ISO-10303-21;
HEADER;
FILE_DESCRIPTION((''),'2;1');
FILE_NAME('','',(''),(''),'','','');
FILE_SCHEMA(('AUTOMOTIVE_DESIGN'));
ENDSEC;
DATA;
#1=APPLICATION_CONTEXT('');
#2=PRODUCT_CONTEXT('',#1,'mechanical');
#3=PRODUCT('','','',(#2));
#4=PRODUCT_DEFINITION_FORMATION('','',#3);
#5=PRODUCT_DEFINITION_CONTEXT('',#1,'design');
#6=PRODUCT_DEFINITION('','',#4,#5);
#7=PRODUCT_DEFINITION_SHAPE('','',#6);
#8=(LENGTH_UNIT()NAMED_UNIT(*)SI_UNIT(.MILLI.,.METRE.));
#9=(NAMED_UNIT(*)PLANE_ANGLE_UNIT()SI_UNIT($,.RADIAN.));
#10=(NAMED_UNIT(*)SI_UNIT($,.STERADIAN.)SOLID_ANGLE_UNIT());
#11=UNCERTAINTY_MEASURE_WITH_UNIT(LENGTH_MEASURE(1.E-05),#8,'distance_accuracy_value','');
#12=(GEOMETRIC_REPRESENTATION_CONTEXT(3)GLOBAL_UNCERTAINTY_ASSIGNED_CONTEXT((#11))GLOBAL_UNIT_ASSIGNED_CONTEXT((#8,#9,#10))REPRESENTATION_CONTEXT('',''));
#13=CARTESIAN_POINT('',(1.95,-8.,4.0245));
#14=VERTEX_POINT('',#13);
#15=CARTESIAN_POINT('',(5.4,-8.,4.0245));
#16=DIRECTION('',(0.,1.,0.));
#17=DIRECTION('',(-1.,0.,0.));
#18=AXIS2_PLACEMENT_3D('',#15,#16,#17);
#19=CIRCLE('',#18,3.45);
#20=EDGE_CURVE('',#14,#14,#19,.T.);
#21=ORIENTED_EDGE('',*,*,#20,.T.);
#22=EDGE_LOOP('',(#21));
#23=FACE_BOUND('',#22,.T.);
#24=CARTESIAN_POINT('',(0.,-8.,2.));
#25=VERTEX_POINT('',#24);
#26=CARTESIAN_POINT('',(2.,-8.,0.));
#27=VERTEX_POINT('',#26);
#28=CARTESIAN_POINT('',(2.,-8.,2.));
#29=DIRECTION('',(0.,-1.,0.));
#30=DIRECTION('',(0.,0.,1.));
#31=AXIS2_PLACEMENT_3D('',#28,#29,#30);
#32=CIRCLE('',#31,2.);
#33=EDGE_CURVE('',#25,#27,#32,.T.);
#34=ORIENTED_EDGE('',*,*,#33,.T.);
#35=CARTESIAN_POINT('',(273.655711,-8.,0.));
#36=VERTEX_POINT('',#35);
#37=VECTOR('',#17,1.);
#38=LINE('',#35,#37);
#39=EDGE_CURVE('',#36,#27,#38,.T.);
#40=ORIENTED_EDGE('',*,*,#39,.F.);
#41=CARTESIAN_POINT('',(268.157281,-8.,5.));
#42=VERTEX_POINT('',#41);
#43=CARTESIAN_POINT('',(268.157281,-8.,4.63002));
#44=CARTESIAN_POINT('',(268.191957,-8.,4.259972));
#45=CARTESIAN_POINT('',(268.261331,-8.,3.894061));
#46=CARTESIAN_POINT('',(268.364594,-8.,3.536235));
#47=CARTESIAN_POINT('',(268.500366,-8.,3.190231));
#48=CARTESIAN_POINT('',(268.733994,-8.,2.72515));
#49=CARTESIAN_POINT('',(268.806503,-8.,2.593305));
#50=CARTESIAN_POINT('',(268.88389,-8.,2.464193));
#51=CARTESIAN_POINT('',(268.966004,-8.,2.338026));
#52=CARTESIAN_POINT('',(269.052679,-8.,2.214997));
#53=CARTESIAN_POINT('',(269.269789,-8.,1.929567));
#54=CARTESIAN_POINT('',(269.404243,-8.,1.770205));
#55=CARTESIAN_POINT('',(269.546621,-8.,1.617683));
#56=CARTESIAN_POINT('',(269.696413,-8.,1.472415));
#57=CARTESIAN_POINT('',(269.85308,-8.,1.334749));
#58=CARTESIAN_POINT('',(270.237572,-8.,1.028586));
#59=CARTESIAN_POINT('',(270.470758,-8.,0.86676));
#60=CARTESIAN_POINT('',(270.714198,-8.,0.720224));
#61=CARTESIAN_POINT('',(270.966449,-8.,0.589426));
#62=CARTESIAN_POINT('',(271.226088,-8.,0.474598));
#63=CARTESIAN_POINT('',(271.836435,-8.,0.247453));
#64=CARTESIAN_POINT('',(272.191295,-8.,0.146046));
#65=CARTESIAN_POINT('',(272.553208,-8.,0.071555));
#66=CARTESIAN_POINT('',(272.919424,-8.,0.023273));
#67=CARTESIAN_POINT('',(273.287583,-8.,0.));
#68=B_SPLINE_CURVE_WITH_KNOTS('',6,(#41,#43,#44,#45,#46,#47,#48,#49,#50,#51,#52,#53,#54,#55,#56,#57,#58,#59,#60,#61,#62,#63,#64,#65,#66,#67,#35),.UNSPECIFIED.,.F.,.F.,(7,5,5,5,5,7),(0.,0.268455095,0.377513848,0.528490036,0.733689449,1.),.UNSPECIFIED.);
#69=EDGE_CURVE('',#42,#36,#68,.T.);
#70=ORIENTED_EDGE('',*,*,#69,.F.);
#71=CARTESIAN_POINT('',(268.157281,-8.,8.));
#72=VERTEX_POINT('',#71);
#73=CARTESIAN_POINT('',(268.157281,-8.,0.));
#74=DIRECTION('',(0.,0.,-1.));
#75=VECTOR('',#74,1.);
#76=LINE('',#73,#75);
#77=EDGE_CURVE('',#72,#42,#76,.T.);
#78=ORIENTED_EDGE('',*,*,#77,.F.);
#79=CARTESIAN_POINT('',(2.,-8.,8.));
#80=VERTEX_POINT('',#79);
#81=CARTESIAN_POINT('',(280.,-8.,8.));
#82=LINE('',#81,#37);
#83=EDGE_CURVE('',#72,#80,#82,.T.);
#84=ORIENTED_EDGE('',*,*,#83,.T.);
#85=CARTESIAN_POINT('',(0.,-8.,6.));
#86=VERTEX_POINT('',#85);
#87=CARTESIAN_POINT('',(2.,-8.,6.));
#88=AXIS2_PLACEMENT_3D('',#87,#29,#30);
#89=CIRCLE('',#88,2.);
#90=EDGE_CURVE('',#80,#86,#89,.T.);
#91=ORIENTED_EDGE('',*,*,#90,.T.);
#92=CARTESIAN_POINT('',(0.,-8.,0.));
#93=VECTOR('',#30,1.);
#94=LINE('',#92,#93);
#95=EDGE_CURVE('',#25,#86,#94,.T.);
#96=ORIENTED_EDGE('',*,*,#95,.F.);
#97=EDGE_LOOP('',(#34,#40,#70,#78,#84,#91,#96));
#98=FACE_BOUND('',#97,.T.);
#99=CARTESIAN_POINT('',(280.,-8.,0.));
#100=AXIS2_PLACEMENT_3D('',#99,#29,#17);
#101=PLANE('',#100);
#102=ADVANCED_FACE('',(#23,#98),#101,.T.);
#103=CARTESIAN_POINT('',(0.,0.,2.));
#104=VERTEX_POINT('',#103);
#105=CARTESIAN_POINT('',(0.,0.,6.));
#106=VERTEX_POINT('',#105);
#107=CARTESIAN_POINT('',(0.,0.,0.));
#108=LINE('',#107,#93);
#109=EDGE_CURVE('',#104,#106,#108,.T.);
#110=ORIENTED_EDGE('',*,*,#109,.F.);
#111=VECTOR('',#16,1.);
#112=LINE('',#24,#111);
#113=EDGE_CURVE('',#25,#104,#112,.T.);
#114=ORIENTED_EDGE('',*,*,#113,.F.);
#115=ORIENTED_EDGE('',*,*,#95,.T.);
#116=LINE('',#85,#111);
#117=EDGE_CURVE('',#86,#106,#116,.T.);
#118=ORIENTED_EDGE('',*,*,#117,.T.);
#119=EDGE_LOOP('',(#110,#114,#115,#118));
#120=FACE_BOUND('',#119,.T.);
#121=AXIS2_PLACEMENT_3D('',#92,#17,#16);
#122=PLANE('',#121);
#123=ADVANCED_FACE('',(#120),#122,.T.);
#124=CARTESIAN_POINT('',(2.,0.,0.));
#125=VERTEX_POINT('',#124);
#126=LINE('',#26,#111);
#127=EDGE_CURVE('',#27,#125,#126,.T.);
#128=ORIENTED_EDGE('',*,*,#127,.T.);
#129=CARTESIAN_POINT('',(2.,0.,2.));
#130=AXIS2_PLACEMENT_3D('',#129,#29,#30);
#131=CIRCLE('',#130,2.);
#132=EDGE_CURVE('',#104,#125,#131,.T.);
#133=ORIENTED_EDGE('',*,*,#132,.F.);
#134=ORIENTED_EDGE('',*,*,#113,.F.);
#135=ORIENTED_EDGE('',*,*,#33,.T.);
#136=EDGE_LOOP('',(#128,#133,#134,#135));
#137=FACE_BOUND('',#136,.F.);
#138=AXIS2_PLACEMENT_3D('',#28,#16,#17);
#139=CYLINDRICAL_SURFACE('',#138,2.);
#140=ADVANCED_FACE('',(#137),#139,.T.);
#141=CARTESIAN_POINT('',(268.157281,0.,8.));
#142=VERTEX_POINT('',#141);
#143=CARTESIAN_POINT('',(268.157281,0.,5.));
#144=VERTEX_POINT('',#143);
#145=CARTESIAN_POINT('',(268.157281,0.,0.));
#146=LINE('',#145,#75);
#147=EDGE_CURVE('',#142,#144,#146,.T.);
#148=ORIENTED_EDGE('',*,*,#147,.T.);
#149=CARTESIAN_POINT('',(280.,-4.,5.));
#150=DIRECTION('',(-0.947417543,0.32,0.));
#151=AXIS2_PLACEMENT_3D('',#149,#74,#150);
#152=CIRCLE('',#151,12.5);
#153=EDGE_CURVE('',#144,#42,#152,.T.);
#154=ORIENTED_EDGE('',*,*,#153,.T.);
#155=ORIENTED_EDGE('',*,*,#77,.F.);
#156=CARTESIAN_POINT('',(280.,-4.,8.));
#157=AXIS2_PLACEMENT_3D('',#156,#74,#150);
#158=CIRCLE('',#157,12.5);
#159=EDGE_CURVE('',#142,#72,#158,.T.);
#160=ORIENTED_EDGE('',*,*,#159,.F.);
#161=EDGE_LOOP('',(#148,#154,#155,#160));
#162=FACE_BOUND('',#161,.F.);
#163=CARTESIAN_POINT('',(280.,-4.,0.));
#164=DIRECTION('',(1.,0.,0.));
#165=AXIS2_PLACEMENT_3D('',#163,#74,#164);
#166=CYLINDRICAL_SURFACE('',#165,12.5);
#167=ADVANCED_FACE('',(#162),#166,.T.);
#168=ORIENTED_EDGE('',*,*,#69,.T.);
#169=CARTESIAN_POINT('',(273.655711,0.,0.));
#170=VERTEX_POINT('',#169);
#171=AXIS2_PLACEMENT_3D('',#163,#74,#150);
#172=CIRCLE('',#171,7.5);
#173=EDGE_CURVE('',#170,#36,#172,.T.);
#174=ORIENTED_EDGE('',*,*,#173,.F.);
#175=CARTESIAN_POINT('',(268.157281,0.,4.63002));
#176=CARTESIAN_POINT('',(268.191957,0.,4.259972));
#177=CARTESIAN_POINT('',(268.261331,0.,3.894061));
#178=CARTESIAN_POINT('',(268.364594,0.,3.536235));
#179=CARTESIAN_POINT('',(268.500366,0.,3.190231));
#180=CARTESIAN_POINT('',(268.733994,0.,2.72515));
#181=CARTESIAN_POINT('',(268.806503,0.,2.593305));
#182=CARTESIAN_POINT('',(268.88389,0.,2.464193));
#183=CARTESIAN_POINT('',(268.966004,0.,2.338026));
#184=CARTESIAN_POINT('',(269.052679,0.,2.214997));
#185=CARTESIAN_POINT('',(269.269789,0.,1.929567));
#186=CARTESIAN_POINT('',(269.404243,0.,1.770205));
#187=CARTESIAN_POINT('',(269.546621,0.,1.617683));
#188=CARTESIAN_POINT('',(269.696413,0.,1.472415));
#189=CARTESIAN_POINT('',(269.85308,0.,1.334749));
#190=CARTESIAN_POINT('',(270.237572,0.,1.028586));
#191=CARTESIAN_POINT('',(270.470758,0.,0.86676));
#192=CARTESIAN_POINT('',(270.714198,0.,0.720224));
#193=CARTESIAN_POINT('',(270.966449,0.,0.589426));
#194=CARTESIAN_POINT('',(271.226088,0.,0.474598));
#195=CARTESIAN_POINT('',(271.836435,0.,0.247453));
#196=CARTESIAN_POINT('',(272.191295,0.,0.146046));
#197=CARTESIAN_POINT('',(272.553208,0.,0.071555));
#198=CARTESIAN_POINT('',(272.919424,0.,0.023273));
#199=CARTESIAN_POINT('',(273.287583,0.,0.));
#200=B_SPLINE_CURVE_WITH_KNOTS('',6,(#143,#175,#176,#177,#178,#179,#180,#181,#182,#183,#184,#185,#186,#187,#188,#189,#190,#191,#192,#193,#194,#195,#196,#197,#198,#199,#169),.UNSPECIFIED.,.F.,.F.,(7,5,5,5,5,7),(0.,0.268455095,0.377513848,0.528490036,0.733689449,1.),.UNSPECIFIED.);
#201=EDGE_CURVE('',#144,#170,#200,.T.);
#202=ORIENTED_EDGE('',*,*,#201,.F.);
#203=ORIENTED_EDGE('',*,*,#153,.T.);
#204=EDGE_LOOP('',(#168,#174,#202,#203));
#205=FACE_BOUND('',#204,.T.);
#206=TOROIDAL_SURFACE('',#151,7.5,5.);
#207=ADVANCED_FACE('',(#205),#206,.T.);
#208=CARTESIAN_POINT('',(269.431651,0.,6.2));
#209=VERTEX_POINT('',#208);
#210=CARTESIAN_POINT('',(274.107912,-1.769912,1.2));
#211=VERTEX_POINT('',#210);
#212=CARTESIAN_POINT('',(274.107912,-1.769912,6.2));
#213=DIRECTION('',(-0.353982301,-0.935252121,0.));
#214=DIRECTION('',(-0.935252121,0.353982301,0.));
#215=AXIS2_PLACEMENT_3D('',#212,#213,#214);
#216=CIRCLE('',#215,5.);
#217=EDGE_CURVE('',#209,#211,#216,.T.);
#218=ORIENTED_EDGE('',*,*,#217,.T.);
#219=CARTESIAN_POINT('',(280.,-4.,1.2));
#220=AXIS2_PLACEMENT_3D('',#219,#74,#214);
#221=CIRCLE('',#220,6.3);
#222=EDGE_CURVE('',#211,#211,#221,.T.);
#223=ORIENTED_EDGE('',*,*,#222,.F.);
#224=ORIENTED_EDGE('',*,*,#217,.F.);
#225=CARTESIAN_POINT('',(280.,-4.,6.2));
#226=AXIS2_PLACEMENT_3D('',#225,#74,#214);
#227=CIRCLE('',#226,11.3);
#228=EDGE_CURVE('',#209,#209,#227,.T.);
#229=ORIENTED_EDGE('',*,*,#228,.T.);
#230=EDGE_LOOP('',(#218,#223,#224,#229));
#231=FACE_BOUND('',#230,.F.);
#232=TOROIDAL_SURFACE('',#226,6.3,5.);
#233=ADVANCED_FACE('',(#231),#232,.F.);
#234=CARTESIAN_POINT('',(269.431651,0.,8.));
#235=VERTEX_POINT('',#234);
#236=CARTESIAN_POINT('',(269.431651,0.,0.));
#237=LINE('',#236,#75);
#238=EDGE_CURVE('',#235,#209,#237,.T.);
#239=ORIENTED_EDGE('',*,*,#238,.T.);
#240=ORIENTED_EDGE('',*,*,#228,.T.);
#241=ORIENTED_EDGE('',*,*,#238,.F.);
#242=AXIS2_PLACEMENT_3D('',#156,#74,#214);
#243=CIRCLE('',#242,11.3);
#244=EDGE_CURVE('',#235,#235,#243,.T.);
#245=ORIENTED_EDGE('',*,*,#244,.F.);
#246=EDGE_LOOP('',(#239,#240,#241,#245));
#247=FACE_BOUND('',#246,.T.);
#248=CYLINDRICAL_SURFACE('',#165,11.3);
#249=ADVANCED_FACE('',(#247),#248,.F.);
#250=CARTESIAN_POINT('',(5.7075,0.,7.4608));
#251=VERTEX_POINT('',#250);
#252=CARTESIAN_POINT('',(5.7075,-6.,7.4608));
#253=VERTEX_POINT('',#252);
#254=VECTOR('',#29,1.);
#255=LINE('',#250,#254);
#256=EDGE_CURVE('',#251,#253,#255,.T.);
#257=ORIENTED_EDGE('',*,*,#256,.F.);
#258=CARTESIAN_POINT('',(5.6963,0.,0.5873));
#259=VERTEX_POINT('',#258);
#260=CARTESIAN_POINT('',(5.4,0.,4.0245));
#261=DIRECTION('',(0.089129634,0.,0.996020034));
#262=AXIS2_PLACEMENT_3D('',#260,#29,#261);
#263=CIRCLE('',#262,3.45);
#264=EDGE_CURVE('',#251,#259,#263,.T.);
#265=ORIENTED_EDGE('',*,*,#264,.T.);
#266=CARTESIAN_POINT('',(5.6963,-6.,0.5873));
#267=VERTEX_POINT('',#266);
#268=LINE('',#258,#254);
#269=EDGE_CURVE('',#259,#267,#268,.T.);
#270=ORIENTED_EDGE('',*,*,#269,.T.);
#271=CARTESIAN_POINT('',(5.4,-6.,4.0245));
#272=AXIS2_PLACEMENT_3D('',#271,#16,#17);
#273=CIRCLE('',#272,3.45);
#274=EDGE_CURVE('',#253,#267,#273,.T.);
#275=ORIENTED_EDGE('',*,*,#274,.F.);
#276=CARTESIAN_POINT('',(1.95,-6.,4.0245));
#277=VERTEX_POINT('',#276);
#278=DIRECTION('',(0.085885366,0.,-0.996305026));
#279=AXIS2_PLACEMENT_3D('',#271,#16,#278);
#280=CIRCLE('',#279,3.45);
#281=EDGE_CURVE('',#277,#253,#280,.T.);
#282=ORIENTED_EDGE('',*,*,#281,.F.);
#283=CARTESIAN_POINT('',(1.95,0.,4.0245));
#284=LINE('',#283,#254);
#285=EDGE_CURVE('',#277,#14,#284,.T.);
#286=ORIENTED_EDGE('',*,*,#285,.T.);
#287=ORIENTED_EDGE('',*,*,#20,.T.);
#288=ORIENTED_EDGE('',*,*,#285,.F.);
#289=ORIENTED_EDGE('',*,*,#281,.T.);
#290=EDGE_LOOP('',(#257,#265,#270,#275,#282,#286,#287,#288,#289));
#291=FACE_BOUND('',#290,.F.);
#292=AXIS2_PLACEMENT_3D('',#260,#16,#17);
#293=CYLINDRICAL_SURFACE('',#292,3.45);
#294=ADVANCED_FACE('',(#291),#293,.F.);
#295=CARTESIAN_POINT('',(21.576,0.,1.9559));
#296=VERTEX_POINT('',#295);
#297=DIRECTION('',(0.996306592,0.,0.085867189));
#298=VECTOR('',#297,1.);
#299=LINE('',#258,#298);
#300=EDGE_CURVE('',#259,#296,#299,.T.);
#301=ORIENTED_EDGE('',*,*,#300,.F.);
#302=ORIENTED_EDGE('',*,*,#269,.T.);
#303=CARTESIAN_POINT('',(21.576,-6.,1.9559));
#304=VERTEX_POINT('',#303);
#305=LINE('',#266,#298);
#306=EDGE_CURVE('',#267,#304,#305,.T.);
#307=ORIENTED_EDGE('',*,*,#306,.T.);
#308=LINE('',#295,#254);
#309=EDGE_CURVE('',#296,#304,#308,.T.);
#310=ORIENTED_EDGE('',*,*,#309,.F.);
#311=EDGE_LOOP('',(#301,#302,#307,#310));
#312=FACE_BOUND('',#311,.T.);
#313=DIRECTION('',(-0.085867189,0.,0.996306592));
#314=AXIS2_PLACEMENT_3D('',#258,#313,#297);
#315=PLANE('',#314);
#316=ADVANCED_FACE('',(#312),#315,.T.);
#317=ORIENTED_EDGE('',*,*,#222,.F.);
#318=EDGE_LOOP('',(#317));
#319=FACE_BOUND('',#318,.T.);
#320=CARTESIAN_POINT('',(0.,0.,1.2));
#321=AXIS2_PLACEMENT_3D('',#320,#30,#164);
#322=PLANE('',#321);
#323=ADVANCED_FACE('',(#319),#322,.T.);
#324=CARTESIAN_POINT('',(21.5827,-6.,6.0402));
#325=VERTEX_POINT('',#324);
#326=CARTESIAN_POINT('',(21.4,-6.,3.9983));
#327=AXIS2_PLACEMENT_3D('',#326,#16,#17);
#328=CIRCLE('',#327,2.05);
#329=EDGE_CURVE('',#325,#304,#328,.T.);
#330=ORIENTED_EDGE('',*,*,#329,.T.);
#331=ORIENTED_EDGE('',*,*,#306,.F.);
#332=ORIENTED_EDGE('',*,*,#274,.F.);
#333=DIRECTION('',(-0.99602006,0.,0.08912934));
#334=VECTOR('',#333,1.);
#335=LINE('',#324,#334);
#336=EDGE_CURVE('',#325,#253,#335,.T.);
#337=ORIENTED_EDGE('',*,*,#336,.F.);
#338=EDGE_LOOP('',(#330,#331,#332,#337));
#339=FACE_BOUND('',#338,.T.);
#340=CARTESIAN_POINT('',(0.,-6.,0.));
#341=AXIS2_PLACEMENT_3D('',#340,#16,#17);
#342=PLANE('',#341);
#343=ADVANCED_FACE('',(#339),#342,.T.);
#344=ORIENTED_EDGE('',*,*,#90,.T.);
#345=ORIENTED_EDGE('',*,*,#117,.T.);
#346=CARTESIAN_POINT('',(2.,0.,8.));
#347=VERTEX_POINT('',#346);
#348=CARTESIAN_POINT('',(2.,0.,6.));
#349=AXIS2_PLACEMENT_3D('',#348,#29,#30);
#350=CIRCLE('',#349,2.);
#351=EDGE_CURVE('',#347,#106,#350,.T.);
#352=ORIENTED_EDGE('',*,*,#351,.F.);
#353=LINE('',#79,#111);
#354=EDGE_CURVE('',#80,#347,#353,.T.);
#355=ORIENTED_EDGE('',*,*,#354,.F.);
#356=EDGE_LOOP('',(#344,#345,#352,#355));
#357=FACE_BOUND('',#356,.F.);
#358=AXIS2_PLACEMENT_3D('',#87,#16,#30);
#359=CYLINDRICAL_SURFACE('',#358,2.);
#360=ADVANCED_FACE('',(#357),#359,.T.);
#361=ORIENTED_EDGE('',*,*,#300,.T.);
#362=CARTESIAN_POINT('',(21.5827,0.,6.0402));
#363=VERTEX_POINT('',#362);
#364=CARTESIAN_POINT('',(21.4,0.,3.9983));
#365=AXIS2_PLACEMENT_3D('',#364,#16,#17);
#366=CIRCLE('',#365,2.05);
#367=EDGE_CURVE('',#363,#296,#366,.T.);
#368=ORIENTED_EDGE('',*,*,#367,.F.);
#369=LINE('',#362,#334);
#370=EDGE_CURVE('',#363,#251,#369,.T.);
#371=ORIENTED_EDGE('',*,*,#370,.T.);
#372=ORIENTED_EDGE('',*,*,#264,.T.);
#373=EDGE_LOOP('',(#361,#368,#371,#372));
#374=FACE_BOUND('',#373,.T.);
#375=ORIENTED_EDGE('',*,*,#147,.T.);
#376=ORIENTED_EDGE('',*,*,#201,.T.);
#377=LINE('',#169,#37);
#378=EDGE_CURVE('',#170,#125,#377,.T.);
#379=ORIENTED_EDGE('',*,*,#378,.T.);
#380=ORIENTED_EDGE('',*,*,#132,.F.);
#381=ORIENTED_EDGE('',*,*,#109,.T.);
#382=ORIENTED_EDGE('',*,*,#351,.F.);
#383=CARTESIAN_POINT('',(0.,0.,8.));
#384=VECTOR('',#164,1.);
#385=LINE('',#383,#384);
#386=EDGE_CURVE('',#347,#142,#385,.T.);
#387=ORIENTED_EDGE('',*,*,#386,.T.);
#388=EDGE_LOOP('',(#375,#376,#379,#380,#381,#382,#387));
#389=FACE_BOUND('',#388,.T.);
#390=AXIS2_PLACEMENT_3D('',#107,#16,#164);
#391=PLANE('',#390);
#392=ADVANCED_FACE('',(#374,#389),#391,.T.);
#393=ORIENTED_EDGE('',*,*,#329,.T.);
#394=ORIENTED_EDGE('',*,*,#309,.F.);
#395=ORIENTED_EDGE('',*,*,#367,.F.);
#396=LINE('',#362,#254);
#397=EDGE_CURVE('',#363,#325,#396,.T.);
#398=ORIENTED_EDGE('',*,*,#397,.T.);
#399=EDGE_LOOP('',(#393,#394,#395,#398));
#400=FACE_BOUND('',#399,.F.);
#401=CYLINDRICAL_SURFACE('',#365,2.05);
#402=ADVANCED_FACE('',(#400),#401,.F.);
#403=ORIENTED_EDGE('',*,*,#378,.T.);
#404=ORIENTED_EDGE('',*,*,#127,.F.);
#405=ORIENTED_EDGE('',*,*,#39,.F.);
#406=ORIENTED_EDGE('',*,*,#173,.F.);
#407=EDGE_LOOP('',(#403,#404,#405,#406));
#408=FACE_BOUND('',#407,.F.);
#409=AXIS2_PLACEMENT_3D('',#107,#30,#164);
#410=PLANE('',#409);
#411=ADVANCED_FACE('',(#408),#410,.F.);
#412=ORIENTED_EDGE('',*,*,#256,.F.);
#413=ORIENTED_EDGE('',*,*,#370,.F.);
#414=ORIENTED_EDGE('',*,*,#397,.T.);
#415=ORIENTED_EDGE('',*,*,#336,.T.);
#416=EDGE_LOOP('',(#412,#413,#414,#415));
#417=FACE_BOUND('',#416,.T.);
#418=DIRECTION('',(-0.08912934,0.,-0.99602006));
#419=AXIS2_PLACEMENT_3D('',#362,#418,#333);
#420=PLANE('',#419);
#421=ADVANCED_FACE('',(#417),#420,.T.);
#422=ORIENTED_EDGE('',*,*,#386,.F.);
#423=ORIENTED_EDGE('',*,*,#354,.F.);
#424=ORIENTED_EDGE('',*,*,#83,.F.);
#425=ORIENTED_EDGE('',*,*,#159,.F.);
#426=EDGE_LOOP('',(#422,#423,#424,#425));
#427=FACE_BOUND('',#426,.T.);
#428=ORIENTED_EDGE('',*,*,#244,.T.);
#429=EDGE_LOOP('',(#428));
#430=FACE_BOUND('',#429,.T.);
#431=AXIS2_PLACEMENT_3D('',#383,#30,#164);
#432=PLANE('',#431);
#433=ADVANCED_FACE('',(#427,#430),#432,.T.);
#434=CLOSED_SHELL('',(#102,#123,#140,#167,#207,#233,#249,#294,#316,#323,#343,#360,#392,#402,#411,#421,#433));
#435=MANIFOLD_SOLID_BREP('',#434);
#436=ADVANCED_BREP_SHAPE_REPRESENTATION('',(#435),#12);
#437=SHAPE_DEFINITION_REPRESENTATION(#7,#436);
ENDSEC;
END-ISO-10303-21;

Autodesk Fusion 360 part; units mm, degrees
sketch "Sketch1" plane through (0, 0, 0) normal (0, 0, 1) x (1, 0, 0)
  line L0 (0, 0) -> (280, 0)
  line L1 (280, 0) -> (280, -8)
  line L2 (280, -8) -> (0, -8)
  line L3 (0, -8) -> (0, 0)
  dimension "d1" = 280
  dimension "d2" = 8
extrude "Extrude1" add sketch "Sketch1" along normal blind 8
sketch "Sketch2" plane through (0, 0, 0) normal (0, 0, 1) x (1, 0, 0)
  circle A0 centre (280, -4) radius 12.5
  circle A1 centre (280, -4) radius 11.3
  dimension "d5" = 25
  dimension "d6" = 22.6
extrude "Extrude2" add sketch "Sketch2" along normal blind 8
extrude "Extrude3" cut sketch "Sketch2" along normal blind 8 contours A1
extrude "Extrude4" add sketch "Sketch2" along normal blind 1.2 contours A1
fillet "Fillet1" radius 5 1 edges at (269.4647, 0.0863, 1.2)
sketch "Sketch4" plane through (0, 0, 0) normal (0, 1, 0) x (-1, 0, 0)
  line L0 (-268.1573, 8) -> (-268.1573, 0)
  line L1 (-268.1573, 0) -> (0, 0)
  line L2 (0, 0) -> (0, 8)
  line L3 (0, 8) -> (-268.1573, 8)
  circle A0 centre (-5.4, 4.0245) radius 3.45
  circle A1 centre (-21.4, 3.9983) radius 2.05
  line L4 (-21.5827, 6.0402) -> (-5.7075, 7.4608)
  line L5 (-5.6963, 0.5873) -> (-21.576, 1.9559)
  dimension "d20" = 6.9
  dimension "d21" = 5.4
  dimension "d22" = 4.1
  dimension "d23" = 16
extrude "Extrude5" cut sketch "Sketch4" against normal blind 6 contours A0 | A0 A1 L4 L5 | A1
extrude "Extrude6" cut sketch "Sketch4" against normal blind 8 contours A0
fillet "Fillet2" radius 5 1 edges at (292.5, -4, 0)
fillet "Fillet3" radius 2 1 edges at (0, -4, 8)
fillet "Fillet4" radius 2 1 edges at (0, -4, 0)
equation "d6 = 25 mm - ( 1.2 * 2 ) * 1 mm"
equation "d21 = 3.4 mm + 2 mm"
